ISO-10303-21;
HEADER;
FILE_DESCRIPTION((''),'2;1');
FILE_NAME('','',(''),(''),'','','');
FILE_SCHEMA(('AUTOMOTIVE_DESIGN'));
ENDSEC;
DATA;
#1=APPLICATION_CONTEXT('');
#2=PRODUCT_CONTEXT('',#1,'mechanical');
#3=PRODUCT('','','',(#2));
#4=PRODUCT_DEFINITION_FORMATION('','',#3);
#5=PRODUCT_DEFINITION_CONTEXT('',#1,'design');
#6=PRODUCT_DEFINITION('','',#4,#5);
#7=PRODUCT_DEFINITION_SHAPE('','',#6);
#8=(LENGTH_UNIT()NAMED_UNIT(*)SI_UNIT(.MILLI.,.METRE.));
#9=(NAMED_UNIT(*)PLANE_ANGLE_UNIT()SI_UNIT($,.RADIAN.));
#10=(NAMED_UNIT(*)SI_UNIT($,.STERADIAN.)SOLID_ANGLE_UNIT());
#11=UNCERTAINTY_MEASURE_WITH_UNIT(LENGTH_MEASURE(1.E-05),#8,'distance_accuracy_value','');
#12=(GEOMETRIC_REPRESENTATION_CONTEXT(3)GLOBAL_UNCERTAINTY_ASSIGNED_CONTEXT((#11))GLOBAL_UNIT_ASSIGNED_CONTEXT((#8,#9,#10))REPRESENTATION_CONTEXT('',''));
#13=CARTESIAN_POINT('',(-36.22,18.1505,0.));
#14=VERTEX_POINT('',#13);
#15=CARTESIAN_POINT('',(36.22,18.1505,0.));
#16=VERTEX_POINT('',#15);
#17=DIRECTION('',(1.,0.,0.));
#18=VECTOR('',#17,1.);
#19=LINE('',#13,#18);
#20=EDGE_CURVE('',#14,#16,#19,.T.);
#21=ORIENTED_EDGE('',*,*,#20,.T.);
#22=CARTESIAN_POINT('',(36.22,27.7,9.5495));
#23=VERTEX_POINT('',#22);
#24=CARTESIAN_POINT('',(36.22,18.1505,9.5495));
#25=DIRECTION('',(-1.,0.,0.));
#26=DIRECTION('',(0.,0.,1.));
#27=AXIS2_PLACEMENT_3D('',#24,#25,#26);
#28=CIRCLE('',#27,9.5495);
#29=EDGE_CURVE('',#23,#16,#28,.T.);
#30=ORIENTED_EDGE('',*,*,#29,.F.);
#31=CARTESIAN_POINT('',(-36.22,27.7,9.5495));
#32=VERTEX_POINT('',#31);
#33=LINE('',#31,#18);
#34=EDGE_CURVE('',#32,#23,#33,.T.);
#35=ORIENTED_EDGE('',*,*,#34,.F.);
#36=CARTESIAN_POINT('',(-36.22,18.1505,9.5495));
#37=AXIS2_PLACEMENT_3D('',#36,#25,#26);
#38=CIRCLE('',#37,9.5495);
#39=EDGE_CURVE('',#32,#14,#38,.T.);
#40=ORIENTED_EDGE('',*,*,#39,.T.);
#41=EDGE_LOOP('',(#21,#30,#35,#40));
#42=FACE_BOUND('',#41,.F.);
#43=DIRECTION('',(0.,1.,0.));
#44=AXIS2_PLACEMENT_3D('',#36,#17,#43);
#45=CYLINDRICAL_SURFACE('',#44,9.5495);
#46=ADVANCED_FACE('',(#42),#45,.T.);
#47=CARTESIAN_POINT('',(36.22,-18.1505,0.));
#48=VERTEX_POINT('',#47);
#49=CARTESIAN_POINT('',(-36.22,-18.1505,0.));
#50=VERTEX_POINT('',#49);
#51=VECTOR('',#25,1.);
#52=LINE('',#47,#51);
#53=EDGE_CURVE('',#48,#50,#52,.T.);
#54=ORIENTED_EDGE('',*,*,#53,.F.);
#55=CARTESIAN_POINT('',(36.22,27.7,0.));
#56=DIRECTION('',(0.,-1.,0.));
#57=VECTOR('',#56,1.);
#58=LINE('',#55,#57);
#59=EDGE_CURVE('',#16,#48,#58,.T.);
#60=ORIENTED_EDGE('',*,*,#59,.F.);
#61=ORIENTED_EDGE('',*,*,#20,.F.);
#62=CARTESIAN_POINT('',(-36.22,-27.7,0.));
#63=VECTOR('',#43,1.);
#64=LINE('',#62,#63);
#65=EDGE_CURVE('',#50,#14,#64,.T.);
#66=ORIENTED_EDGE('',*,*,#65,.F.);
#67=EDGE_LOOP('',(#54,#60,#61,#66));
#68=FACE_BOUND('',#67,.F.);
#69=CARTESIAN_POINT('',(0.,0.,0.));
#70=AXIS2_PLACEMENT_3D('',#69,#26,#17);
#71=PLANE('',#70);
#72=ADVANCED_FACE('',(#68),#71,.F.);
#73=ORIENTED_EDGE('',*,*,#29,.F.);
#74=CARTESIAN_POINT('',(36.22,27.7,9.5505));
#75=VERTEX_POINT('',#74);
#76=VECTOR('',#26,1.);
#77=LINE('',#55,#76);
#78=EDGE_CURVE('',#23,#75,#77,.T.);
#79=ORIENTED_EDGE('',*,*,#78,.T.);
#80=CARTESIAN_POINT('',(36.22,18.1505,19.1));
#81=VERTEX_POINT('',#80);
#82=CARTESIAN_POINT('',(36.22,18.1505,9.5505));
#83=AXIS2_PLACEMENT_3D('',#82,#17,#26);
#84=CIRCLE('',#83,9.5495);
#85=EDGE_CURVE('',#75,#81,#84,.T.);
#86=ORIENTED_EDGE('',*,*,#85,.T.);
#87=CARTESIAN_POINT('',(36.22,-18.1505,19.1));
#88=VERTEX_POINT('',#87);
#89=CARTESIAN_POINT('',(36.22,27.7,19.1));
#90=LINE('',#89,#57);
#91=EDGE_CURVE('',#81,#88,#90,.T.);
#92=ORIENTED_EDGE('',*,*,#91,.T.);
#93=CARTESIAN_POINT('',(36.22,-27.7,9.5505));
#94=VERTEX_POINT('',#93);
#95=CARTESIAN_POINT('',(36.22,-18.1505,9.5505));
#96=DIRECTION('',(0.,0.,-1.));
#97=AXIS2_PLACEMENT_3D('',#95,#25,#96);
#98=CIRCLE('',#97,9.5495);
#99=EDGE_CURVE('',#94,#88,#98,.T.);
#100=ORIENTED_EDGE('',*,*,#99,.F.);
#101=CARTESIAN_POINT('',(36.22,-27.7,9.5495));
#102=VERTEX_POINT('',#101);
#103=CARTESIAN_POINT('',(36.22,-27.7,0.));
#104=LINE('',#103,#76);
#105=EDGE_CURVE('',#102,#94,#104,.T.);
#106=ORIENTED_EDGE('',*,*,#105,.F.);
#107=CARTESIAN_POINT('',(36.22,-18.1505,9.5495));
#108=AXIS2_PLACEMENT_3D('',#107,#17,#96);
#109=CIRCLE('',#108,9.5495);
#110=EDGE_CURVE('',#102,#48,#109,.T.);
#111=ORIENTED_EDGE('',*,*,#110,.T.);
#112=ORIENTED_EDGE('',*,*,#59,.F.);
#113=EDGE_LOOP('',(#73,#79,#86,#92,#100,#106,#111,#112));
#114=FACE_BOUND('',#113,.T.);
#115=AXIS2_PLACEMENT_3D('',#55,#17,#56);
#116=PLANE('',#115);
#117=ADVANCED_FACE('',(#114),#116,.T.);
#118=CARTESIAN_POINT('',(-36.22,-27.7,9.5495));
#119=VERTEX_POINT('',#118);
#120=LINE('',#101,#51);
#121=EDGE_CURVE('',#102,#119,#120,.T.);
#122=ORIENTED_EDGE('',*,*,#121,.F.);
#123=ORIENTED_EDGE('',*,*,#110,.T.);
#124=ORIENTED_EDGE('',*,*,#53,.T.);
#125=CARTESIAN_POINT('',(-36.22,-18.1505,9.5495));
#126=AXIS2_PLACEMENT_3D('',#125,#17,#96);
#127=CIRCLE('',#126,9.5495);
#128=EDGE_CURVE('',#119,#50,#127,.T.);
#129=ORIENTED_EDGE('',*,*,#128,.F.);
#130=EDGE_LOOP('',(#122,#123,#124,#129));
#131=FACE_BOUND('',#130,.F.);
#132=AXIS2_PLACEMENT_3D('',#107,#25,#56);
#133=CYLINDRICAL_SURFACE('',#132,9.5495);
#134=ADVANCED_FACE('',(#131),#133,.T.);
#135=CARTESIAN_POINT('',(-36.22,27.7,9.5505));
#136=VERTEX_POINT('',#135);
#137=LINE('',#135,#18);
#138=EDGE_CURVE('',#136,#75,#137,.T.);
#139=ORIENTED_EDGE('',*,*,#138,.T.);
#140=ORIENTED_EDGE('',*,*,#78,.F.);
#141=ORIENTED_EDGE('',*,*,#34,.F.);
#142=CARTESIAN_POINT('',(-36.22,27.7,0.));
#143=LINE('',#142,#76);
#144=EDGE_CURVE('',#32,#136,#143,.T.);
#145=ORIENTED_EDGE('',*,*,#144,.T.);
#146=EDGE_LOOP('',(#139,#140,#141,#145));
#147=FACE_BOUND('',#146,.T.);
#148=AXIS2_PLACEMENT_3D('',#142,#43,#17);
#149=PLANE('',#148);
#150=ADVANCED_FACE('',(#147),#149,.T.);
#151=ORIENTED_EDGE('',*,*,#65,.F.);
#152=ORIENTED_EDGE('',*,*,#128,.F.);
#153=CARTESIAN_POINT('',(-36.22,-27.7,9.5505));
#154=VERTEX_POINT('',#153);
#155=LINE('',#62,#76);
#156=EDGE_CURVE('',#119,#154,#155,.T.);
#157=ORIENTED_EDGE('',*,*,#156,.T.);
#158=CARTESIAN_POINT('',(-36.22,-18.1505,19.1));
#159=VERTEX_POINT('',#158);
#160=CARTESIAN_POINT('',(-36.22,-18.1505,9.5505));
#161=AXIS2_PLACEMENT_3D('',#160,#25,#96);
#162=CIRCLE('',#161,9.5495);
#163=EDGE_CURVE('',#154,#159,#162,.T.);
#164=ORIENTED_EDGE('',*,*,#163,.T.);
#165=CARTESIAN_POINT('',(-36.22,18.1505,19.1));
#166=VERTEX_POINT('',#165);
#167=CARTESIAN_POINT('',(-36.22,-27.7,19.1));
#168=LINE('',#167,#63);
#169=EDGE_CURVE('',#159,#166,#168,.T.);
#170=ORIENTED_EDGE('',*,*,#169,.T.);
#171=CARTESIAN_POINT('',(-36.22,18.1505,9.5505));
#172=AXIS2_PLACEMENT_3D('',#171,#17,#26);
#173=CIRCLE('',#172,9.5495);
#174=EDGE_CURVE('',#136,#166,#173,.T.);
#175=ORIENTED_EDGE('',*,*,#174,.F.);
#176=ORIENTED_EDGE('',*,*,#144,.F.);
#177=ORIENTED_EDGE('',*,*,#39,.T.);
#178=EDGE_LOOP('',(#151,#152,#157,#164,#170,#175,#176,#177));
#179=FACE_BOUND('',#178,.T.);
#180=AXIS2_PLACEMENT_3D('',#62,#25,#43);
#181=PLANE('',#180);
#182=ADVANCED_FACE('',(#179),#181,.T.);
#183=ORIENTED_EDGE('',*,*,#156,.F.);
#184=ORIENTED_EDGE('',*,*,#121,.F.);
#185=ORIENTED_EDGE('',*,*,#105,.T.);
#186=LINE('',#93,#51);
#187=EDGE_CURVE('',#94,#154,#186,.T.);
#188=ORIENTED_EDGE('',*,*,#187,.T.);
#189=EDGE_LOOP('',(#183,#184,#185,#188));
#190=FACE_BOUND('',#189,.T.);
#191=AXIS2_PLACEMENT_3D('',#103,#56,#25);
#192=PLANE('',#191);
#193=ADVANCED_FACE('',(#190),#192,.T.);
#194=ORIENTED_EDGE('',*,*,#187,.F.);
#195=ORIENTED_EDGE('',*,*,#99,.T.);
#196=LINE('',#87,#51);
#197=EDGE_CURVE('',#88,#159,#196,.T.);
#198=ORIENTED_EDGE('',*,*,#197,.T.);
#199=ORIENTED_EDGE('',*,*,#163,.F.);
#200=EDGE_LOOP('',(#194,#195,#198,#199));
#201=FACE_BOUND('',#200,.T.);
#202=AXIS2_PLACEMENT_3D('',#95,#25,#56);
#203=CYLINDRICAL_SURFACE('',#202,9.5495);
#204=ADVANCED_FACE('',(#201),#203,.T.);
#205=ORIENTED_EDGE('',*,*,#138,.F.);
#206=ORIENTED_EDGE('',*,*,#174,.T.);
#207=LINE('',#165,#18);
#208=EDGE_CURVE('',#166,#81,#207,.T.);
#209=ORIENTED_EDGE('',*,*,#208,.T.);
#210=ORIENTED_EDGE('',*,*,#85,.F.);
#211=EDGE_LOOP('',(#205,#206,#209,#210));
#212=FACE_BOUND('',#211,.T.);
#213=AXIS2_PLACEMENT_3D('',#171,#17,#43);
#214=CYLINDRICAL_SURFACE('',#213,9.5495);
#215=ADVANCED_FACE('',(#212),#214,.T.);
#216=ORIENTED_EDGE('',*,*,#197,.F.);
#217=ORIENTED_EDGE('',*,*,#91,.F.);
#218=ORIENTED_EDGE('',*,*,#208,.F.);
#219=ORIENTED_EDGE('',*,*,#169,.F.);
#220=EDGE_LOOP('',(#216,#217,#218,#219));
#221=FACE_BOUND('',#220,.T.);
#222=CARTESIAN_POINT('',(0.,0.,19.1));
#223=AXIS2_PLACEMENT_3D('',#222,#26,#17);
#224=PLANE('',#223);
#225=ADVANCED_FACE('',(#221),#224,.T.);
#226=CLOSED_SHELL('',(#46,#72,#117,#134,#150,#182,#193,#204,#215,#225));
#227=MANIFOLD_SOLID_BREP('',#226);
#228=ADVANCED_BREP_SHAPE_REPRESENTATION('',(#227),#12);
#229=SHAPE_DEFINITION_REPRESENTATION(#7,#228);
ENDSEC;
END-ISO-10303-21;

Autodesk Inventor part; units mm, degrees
ref_plane "YZ Plane" through (0, 0, 0) normal (1, 0, 0) x (0, 1, 0)
ref_plane "XZ Plane" through (0, 0, 0) normal (0, 1, 0) x (-1, 0, 0)
ref_plane "XY Plane" through (0, 0, 0) normal (0, 0, 1) x (1, 0, 0)
sketch "草图1" plane through (0, 0, 0) normal (0, 0, 1) x (1, 0, 0)
  line L0 (36.22, -27.7) -> (-36.22, -27.7)
  line L1 (-36.22, -27.7) -> (-36.22, 27.7)
  line L2 (-36.22, 27.7) -> (36.22, 27.7)
  line L3 (36.22, 27.7) -> (36.22, -27.7)
  line L4 (36.22, -27.7) -> (-36.22, 27.7) construction
  line L5 (-36.22, -27.7) -> (36.22, 27.7) construction
  point P0 (0, 0)
  dimension "d0" = 55.4
  dimension "d1" = 72.44
extrude "拉伸1" add sketch "草图1" along normal blind 19.1
fillet "圆角1" radius 9.55 4 edges at (0, 27.7, 19.1) (0, 27.7, 0) (0, -27.7, 19.1) (0, -27.7, 0)
properties part number "12V可充电锂电池模型" material "钢，镀锌"
